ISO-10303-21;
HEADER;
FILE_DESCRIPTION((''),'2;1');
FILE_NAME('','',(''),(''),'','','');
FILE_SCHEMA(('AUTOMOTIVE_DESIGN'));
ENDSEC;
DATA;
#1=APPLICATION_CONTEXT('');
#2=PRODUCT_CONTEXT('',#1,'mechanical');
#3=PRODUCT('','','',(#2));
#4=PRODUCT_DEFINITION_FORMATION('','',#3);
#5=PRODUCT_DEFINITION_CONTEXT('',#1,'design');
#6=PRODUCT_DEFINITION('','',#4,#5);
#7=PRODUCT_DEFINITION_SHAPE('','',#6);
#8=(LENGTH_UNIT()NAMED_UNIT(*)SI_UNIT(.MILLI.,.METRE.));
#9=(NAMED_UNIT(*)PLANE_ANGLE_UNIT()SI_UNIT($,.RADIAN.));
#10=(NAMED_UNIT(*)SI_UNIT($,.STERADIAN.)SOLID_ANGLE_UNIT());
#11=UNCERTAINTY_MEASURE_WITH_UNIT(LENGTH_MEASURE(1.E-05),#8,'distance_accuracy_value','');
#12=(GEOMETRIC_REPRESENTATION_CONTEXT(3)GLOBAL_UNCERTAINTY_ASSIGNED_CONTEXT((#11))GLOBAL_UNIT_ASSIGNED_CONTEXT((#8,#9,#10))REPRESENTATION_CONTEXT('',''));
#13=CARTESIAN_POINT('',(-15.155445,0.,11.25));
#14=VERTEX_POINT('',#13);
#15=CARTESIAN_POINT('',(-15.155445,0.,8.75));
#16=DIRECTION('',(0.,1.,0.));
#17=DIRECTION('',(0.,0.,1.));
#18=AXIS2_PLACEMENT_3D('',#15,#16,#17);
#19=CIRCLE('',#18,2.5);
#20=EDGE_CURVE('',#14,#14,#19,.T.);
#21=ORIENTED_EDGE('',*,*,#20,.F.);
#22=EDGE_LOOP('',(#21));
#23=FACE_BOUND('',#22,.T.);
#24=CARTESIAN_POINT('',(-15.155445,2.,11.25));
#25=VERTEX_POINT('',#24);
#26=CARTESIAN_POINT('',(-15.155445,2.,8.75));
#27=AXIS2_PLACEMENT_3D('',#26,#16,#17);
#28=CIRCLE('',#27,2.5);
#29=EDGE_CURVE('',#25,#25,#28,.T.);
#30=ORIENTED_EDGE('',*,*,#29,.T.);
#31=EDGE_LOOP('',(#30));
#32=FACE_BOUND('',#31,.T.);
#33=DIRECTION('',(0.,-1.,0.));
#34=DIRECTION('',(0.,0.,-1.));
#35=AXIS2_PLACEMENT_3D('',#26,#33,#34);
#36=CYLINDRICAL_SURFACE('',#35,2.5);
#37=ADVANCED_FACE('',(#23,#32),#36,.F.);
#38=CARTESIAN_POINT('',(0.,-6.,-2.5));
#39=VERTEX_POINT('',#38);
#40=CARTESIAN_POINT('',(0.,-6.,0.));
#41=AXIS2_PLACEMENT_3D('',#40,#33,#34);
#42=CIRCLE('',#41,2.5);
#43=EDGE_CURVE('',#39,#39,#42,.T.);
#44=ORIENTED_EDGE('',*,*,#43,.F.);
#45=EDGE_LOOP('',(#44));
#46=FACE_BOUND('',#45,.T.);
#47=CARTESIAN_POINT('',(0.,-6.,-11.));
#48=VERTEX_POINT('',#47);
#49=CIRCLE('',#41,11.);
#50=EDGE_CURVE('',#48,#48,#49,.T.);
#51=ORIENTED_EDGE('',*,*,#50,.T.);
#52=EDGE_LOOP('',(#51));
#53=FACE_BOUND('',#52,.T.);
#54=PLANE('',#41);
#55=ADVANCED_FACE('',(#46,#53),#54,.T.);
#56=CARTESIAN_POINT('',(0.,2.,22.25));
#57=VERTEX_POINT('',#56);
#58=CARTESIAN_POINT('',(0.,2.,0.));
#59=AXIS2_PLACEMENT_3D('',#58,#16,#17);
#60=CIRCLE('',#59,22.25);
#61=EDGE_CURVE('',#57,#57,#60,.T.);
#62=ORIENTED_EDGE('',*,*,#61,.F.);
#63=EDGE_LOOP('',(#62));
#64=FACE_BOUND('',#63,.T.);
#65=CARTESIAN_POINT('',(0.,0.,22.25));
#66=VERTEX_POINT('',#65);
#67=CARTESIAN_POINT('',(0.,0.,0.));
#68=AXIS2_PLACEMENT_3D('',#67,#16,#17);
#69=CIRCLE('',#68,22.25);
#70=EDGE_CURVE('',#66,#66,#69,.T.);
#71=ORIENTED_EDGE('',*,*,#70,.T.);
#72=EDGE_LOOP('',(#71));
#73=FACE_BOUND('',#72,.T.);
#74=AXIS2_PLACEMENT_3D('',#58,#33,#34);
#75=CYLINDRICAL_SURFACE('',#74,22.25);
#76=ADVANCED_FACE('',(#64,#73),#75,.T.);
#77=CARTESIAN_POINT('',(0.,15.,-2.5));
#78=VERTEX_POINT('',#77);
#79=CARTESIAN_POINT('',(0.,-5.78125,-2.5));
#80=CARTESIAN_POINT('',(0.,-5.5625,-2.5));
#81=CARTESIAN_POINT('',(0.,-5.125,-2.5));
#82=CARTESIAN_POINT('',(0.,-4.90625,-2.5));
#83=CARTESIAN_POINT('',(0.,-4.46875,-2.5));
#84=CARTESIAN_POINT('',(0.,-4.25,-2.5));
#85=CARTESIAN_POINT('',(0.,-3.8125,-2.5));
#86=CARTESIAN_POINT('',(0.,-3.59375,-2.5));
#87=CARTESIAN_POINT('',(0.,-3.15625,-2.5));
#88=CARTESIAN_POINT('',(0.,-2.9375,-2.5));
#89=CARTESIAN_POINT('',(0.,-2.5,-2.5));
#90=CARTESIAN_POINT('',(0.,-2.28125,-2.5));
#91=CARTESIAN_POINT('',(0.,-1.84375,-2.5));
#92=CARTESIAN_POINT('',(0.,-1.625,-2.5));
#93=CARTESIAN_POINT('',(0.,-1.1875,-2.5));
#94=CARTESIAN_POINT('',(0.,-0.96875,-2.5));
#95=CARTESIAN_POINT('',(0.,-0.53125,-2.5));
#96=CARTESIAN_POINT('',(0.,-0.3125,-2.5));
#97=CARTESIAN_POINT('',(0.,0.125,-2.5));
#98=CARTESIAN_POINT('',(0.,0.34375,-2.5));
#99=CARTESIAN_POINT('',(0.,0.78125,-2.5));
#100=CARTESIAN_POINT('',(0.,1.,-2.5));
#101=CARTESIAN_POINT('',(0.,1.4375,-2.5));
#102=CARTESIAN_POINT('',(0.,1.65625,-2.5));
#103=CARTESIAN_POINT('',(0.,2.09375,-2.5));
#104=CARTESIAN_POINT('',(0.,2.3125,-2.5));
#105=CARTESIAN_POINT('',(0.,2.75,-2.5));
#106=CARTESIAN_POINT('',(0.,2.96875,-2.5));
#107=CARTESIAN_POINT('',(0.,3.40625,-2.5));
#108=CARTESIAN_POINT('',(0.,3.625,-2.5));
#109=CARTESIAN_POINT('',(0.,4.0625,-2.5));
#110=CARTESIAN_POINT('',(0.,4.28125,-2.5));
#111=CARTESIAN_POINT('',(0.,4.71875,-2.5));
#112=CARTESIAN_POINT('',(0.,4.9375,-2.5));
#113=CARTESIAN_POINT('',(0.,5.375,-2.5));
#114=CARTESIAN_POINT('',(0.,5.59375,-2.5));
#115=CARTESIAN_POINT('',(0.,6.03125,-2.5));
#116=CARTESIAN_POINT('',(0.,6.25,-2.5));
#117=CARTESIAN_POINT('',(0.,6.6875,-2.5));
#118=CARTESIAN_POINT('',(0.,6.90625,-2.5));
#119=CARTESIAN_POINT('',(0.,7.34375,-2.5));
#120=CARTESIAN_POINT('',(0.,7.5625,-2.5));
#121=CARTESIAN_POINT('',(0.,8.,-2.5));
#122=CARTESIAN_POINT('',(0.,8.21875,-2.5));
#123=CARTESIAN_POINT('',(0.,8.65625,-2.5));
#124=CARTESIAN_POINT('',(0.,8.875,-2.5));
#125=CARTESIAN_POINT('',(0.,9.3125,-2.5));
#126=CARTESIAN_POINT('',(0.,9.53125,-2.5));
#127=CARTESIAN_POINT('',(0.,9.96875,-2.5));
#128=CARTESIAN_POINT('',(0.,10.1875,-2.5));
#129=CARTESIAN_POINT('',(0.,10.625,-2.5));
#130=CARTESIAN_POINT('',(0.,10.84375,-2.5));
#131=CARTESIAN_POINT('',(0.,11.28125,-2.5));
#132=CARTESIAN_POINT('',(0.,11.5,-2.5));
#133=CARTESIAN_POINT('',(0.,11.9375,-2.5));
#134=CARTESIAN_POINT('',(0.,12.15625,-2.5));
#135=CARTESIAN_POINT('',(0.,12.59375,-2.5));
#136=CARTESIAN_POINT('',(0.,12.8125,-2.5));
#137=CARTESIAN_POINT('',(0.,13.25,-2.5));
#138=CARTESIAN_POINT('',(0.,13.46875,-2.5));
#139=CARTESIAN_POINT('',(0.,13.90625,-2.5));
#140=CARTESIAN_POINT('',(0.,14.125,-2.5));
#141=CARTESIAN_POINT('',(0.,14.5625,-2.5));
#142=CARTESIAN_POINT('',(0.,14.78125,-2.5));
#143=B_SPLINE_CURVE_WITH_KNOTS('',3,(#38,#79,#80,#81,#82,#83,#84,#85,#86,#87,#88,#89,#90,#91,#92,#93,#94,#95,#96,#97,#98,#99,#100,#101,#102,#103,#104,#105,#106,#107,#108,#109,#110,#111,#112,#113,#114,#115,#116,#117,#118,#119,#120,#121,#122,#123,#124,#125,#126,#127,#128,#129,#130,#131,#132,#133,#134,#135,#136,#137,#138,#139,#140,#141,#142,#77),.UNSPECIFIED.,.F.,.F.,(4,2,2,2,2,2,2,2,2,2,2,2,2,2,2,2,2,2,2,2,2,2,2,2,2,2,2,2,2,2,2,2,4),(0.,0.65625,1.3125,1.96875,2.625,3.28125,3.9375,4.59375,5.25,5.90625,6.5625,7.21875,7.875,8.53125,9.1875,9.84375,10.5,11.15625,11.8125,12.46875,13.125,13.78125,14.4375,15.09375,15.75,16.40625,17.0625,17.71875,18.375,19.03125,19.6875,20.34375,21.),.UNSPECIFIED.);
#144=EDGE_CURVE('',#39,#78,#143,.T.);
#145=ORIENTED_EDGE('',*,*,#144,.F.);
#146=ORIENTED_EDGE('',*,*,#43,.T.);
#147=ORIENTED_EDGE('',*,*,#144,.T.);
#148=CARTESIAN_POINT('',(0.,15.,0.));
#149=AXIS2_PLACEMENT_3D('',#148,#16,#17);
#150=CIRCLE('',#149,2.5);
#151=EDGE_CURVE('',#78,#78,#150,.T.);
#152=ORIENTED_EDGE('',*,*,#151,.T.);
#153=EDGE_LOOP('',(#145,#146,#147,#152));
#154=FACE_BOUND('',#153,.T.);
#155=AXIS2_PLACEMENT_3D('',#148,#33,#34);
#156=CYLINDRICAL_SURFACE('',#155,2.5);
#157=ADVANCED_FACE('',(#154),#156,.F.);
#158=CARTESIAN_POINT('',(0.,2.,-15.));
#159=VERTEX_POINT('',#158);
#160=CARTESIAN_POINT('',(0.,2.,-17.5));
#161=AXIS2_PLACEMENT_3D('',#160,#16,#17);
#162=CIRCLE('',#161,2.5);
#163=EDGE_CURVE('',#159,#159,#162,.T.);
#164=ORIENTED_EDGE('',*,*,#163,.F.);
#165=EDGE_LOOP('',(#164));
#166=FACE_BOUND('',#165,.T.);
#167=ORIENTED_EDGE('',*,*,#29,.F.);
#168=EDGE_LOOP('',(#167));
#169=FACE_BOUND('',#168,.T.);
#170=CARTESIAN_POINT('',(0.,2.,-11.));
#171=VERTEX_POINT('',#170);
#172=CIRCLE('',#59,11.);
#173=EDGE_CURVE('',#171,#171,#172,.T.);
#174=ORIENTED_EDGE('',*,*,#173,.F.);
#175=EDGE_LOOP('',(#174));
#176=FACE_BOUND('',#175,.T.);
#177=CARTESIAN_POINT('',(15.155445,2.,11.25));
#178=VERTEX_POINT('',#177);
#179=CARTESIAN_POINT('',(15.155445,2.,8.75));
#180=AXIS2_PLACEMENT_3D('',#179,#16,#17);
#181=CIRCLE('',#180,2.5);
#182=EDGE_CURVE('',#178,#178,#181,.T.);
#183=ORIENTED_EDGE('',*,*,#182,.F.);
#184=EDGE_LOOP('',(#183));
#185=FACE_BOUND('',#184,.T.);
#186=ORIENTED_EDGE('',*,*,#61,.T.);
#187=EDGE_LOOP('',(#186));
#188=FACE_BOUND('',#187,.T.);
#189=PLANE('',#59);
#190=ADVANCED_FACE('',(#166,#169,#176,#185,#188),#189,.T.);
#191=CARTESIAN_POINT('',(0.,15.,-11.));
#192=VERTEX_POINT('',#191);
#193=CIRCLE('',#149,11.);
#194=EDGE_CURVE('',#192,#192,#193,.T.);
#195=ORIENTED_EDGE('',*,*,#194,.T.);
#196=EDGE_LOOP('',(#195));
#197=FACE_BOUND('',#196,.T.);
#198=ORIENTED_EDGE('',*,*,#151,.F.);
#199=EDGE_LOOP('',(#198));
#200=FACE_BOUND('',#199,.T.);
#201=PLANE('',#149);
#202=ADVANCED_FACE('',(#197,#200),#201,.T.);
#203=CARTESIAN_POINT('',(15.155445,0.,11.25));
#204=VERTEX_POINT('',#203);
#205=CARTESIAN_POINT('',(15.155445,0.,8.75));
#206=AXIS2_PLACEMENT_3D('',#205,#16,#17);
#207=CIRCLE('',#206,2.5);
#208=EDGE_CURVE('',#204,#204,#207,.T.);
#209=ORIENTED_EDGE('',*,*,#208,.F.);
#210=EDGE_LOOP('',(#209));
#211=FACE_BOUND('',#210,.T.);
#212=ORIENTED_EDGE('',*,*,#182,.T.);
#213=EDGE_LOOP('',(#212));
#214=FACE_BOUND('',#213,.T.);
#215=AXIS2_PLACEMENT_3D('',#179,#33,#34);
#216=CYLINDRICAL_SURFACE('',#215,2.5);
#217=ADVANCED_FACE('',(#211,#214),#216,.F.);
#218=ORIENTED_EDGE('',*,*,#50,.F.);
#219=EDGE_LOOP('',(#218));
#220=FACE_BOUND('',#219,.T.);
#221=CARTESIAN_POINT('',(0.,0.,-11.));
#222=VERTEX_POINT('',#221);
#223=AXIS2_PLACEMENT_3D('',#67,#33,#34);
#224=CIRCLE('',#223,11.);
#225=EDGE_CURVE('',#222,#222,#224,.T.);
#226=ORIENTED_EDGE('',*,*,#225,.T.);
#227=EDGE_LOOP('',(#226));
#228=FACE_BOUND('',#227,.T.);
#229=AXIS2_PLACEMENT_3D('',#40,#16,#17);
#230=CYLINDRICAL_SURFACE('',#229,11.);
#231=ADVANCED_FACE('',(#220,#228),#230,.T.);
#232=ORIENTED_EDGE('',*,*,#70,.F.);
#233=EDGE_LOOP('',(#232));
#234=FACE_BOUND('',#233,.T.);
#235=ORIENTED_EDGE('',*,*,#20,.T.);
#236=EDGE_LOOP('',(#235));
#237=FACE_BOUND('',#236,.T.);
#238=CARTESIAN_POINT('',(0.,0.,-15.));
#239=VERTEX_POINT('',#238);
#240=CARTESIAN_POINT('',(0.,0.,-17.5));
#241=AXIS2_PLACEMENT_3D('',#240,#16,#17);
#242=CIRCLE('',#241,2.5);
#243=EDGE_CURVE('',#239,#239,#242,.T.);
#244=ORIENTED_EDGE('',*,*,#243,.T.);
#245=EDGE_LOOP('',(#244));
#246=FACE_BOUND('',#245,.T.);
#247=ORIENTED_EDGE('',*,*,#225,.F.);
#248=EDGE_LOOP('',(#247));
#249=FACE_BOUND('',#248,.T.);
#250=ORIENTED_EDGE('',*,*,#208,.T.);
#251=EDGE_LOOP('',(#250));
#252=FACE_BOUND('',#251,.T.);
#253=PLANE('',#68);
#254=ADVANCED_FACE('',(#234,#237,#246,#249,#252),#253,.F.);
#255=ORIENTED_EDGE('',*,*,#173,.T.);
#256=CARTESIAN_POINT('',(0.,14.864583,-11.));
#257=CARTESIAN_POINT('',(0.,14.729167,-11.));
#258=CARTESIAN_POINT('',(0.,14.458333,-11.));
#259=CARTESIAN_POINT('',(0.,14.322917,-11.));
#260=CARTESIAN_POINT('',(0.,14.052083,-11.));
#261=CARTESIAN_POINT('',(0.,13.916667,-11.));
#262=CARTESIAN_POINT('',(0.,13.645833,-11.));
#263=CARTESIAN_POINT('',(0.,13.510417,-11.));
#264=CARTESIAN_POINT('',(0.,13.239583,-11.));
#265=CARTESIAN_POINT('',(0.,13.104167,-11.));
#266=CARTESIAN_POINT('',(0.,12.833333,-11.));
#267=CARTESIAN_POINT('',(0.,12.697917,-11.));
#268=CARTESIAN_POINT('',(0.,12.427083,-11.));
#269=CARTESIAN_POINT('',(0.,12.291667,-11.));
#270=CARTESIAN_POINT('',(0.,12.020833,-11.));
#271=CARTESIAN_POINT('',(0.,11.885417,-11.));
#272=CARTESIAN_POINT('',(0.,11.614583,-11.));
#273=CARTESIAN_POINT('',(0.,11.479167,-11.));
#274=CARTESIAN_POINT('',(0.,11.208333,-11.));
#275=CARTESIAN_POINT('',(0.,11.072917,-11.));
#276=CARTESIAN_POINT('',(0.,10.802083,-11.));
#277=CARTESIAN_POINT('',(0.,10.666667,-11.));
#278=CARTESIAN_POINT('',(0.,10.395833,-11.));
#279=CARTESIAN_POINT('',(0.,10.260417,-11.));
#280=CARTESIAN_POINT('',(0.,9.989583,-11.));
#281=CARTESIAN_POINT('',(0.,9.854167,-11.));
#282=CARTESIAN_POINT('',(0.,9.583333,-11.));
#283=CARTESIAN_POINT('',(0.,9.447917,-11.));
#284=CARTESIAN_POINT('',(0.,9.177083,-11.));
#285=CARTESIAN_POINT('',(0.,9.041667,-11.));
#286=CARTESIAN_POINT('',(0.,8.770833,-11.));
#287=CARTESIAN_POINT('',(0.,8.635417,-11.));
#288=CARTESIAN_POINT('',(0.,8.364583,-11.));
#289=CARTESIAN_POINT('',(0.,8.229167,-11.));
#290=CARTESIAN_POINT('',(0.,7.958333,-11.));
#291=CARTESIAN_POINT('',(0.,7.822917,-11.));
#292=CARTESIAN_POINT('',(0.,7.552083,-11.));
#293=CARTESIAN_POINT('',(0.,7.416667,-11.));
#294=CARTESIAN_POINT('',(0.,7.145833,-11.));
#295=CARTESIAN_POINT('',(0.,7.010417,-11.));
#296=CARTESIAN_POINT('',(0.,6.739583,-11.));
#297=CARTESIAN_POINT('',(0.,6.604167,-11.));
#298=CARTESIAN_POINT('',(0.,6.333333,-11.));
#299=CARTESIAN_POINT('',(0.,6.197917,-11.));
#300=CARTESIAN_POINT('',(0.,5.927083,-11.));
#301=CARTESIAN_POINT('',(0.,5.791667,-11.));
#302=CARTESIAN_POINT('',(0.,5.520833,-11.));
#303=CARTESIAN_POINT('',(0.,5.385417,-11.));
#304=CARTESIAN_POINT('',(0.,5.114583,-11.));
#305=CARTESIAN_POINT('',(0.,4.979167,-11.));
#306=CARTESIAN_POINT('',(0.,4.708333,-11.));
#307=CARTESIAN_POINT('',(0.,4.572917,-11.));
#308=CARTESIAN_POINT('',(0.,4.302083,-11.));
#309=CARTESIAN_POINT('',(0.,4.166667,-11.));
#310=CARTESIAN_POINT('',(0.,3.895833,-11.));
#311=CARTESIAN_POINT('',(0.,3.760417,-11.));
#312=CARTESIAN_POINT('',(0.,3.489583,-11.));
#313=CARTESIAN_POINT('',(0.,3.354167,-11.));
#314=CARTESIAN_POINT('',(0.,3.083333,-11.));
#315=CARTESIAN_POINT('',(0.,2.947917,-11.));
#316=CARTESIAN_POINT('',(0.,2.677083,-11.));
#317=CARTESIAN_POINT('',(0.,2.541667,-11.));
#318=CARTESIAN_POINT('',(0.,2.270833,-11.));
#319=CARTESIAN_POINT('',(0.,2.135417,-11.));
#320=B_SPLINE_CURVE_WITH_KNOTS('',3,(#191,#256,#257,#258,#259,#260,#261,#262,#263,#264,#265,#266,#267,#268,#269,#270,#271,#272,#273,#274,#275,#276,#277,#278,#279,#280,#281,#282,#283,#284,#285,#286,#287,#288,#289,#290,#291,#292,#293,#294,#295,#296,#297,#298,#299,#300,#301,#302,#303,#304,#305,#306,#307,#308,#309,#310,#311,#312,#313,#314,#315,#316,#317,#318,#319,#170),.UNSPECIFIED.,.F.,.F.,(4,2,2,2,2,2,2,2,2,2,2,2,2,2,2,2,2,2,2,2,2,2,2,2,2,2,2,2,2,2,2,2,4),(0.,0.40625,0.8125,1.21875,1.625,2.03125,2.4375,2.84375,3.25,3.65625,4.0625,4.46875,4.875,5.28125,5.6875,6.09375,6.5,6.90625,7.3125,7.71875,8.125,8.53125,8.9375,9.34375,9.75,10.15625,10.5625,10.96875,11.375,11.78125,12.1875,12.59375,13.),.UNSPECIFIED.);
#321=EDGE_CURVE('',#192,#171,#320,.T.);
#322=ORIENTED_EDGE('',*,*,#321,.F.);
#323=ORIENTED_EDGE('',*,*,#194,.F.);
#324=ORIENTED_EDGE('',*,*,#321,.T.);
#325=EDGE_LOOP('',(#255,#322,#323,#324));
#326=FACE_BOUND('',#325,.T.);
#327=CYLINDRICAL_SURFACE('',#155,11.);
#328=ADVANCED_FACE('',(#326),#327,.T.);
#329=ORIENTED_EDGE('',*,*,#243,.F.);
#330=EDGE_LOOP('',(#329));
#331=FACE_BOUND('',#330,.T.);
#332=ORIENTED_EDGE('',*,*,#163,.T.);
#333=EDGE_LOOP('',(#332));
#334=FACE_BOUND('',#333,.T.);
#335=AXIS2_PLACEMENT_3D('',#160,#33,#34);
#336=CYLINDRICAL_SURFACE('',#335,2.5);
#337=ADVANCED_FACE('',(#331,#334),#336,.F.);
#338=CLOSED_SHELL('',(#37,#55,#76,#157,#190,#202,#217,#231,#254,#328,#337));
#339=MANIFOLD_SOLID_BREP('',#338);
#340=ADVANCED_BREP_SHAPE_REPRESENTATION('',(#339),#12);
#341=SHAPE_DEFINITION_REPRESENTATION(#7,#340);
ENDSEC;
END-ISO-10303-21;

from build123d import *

# Parameters (mm, degrees)
SKETCH_1_R          = 22.25
SKETCH_1_R_2        = 2.5
EXTRUDE_1_DEPTH     = 2
SKETCH_3_R          = 11
SKETCH_3_R_2        = 2.5
EXTRUDE_3_DEPTH     = 13
EXTRUDE_START       = 6
SKETCH_4_R          = 11
EXTRUDE_4_DEPTH     = 6
SKETCH_6_R          = 2.5
CUT_EXTRUDE_2_DEPTH = 9


with BuildPart() as part:
    # 草图1 → 凸台-拉伸1 (new body)
    with BuildSketch(Plane(origin=(0, 0, 0), x_dir=(1, 0, 0), z_dir=(0, 1, 0))):
        with Locations(Location((0, 0, 0), (0, 0, 270))):
            Circle(SKETCH_1_R)
        with Locations(Location((0, 17.5, 0), (0, 0, 270))):
            Circle(SKETCH_1_R_2, mode=Mode.SUBTRACT)
        with Locations(Location((-15.155444566, -8.75, 0), (0, 0, 270))):
            Circle(SKETCH_1_R_2, mode=Mode.SUBTRACT)
        with Locations(Location((15.155444566, -8.75, 0), (0, 0, 270))):
            Circle(SKETCH_1_R_2, mode=Mode.SUBTRACT)
    extrude(amount=EXTRUDE_1_DEPTH)

    # 草图3 → 凸台-拉伸3 (add)
    with BuildSketch(Plane(origin=(0, 2, 0), x_dir=(1, 0, 0), z_dir=(0, 1, 0))):
        with Locations(Location((0, 0, 0), (0, 0, 90))):
            Circle(SKETCH_3_R)
        with Locations(Location((0, 0, 0), (0, 0, 90))):
            Circle(SKETCH_3_R_2, mode=Mode.SUBTRACT)
    extrude(amount=EXTRUDE_3_DEPTH)

    # 草图4 → 凸台-拉伸4 (add)
    with BuildSketch(Plane.XZ.offset(EXTRUDE_START)):
        with Locations(Location((0, 0, 0), (0, 0, 270))):
            Circle(SKETCH_4_R)
    extrude(amount=-EXTRUDE_4_DEPTH)

    # 草图6 → 切除-拉伸2 (cut)
    with BuildSketch(Plane.XZ.offset(6)):
        with Locations(Location((0, 0, 0), (0, 0, 270))):
            Circle(SKETCH_6_R)
    extrude(amount=-CUT_EXTRUDE_2_DEPTH, mode=Mode.SUBTRACT)


solid = part.part
